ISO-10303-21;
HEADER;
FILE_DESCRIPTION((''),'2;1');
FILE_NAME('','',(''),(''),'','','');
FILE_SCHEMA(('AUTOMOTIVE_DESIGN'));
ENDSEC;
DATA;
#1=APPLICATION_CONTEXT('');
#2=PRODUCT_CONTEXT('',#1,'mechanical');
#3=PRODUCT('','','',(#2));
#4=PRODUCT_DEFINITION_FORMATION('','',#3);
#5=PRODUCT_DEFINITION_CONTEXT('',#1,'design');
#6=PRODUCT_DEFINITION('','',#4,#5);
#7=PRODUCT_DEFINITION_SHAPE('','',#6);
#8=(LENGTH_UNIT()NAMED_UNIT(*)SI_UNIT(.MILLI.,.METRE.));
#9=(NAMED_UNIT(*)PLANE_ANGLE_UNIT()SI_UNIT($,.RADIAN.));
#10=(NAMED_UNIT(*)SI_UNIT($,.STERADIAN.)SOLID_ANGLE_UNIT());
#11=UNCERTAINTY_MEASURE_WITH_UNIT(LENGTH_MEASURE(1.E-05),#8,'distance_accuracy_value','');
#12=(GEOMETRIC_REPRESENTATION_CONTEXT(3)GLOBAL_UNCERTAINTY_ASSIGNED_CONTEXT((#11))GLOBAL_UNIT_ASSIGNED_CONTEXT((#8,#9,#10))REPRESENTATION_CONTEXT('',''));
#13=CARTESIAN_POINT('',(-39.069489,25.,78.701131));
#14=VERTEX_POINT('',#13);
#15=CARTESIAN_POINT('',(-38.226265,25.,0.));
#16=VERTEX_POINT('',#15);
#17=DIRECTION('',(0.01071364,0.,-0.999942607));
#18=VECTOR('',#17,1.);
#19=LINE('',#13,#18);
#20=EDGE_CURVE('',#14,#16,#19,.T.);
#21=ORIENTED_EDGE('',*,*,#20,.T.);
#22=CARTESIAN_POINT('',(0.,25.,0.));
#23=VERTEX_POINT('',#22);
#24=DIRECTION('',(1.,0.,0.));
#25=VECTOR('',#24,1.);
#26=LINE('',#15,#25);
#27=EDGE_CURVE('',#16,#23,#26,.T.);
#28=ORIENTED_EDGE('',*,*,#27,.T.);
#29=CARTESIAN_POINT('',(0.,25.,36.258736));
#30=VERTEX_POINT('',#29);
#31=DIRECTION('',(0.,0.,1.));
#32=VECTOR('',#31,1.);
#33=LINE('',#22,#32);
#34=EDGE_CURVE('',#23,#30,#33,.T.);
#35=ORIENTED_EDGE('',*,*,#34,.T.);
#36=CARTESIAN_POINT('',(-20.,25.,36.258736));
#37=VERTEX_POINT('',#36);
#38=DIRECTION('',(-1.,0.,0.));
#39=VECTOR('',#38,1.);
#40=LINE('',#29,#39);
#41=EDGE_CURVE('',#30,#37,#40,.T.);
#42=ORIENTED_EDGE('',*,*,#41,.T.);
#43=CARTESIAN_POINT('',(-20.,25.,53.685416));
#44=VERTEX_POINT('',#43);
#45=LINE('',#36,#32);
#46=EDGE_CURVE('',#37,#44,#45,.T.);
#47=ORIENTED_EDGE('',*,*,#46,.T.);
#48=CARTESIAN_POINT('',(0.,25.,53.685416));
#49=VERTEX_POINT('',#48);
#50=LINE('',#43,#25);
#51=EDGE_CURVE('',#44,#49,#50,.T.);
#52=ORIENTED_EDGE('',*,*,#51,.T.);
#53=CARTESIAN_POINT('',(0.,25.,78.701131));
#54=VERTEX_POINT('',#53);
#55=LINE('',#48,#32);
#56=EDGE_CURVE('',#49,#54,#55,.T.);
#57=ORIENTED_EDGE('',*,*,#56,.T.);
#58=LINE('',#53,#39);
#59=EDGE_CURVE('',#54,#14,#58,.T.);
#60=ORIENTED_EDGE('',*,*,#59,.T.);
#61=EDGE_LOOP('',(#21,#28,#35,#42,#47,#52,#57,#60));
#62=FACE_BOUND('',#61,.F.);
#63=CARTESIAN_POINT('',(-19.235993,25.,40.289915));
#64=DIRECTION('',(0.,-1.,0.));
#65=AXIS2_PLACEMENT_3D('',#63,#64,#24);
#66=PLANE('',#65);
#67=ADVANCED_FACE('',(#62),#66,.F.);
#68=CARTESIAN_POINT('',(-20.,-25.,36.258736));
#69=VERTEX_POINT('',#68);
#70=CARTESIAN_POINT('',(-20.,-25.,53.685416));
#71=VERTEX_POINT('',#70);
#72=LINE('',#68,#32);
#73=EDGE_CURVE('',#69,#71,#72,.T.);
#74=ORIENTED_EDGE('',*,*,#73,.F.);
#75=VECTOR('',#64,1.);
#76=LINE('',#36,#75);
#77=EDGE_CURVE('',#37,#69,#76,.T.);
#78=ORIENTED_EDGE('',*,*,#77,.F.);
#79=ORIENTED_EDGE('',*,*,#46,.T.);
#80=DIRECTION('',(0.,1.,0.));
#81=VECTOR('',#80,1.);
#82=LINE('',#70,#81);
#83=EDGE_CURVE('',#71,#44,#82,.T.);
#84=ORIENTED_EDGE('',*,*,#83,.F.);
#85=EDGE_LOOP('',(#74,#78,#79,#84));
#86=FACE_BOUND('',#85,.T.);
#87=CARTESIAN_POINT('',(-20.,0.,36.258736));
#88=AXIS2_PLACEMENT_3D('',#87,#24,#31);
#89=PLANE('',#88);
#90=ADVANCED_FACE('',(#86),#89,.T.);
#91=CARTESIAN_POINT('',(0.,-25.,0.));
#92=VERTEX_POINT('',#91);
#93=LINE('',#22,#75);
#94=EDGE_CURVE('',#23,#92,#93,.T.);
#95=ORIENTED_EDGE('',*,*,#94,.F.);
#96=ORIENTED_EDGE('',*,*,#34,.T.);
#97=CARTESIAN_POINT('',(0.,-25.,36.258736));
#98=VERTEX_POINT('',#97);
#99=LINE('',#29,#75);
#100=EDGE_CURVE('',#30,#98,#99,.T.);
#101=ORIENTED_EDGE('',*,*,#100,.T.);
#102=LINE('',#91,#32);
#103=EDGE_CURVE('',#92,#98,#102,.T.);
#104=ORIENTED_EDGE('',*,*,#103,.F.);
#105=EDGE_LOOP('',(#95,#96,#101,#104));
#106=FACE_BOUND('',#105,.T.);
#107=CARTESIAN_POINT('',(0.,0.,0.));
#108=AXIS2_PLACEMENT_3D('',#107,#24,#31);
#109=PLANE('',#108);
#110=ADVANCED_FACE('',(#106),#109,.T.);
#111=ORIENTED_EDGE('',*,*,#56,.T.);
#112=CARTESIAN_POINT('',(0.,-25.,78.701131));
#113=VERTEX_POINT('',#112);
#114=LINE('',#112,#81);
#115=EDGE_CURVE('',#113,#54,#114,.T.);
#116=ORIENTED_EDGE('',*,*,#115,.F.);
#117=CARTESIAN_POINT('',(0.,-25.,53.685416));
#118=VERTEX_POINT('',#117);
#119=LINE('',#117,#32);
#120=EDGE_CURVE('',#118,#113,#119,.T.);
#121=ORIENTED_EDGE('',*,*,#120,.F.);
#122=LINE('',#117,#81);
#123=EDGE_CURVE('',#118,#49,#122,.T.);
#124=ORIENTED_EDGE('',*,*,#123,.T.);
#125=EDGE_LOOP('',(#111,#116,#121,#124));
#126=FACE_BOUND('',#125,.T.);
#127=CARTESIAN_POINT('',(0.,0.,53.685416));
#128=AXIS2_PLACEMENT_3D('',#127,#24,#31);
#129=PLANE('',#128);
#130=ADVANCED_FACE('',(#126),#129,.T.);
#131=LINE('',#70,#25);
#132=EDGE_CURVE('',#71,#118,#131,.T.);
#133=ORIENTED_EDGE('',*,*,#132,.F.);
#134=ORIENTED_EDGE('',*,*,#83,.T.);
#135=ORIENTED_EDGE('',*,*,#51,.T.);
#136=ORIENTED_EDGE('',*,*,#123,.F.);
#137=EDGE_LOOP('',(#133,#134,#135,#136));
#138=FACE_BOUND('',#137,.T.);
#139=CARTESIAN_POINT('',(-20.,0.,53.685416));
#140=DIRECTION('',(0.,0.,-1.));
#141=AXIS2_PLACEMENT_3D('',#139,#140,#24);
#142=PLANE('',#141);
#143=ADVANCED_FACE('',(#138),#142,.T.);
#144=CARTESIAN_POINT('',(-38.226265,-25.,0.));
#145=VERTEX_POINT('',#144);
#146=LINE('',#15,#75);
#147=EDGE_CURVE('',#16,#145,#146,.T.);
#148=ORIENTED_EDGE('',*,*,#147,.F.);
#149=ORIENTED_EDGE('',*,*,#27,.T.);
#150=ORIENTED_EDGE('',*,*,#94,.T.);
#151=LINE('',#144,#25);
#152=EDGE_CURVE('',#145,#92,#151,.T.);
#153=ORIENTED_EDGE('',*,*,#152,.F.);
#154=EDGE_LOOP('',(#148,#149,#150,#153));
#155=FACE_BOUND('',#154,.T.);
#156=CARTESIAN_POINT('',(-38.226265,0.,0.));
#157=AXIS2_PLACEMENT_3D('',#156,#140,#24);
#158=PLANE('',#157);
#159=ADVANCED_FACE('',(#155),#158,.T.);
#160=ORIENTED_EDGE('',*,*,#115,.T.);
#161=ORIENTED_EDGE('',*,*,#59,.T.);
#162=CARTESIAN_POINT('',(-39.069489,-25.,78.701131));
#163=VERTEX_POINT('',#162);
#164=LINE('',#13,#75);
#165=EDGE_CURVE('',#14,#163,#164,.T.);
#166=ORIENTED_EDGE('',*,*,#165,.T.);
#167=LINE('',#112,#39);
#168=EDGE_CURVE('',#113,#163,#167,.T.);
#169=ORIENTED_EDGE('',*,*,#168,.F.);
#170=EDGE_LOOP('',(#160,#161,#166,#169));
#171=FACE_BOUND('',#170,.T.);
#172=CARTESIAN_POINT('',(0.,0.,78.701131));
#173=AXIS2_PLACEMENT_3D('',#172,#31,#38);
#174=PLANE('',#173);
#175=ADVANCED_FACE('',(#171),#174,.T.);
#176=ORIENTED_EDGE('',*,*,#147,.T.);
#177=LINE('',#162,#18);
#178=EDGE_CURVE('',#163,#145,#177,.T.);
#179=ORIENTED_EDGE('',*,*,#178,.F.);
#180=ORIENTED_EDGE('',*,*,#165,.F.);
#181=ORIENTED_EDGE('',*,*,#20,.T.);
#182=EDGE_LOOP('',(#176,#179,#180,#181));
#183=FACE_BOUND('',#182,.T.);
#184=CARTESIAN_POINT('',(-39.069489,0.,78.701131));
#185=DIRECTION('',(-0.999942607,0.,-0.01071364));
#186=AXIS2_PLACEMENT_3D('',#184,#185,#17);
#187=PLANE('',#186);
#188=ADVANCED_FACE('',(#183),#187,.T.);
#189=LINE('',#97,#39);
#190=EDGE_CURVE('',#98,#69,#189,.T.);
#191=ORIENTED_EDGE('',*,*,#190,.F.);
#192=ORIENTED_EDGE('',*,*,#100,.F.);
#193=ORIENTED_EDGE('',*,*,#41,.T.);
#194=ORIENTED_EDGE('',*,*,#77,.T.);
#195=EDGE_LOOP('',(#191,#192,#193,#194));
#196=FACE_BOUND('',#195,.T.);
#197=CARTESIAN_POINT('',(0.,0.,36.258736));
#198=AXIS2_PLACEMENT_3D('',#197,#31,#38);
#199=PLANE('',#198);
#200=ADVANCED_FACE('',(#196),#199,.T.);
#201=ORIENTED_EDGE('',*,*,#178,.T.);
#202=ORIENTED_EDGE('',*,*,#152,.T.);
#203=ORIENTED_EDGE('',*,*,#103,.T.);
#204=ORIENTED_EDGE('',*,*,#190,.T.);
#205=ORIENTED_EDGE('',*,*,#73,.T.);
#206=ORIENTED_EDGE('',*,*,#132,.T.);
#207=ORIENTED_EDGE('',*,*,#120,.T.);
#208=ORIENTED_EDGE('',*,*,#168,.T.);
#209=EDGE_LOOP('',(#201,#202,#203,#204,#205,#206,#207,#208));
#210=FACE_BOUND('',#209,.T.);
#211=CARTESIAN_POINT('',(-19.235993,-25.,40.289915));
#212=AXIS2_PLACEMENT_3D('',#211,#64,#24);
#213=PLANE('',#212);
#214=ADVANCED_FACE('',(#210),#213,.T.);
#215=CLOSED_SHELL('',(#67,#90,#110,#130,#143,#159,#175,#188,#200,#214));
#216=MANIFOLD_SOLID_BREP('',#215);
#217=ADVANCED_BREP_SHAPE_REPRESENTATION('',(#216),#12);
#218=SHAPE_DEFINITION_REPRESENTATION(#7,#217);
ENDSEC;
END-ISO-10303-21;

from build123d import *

# Parameters (mm, degrees)
F1_DEPTH      = 25
F1_DEPTH_BACK = 25


with BuildPart() as f1:
    # F0 (on Front) → F1 (new body, two sides)
    with BuildSketch(Plane.XZ) as f1_sk:
        Polygon((0, 78.701131), (-39.069489, 78.701131), (-38.226265, 0), (0, 0), (0, 36.258736), (-20, 36.258736), (-20, 53.685416), (0, 53.685416), align=None)
    extrude(amount=F1_DEPTH)
    extrude(f1_sk.sketch, amount=-F1_DEPTH_BACK)


solid = f1.part
